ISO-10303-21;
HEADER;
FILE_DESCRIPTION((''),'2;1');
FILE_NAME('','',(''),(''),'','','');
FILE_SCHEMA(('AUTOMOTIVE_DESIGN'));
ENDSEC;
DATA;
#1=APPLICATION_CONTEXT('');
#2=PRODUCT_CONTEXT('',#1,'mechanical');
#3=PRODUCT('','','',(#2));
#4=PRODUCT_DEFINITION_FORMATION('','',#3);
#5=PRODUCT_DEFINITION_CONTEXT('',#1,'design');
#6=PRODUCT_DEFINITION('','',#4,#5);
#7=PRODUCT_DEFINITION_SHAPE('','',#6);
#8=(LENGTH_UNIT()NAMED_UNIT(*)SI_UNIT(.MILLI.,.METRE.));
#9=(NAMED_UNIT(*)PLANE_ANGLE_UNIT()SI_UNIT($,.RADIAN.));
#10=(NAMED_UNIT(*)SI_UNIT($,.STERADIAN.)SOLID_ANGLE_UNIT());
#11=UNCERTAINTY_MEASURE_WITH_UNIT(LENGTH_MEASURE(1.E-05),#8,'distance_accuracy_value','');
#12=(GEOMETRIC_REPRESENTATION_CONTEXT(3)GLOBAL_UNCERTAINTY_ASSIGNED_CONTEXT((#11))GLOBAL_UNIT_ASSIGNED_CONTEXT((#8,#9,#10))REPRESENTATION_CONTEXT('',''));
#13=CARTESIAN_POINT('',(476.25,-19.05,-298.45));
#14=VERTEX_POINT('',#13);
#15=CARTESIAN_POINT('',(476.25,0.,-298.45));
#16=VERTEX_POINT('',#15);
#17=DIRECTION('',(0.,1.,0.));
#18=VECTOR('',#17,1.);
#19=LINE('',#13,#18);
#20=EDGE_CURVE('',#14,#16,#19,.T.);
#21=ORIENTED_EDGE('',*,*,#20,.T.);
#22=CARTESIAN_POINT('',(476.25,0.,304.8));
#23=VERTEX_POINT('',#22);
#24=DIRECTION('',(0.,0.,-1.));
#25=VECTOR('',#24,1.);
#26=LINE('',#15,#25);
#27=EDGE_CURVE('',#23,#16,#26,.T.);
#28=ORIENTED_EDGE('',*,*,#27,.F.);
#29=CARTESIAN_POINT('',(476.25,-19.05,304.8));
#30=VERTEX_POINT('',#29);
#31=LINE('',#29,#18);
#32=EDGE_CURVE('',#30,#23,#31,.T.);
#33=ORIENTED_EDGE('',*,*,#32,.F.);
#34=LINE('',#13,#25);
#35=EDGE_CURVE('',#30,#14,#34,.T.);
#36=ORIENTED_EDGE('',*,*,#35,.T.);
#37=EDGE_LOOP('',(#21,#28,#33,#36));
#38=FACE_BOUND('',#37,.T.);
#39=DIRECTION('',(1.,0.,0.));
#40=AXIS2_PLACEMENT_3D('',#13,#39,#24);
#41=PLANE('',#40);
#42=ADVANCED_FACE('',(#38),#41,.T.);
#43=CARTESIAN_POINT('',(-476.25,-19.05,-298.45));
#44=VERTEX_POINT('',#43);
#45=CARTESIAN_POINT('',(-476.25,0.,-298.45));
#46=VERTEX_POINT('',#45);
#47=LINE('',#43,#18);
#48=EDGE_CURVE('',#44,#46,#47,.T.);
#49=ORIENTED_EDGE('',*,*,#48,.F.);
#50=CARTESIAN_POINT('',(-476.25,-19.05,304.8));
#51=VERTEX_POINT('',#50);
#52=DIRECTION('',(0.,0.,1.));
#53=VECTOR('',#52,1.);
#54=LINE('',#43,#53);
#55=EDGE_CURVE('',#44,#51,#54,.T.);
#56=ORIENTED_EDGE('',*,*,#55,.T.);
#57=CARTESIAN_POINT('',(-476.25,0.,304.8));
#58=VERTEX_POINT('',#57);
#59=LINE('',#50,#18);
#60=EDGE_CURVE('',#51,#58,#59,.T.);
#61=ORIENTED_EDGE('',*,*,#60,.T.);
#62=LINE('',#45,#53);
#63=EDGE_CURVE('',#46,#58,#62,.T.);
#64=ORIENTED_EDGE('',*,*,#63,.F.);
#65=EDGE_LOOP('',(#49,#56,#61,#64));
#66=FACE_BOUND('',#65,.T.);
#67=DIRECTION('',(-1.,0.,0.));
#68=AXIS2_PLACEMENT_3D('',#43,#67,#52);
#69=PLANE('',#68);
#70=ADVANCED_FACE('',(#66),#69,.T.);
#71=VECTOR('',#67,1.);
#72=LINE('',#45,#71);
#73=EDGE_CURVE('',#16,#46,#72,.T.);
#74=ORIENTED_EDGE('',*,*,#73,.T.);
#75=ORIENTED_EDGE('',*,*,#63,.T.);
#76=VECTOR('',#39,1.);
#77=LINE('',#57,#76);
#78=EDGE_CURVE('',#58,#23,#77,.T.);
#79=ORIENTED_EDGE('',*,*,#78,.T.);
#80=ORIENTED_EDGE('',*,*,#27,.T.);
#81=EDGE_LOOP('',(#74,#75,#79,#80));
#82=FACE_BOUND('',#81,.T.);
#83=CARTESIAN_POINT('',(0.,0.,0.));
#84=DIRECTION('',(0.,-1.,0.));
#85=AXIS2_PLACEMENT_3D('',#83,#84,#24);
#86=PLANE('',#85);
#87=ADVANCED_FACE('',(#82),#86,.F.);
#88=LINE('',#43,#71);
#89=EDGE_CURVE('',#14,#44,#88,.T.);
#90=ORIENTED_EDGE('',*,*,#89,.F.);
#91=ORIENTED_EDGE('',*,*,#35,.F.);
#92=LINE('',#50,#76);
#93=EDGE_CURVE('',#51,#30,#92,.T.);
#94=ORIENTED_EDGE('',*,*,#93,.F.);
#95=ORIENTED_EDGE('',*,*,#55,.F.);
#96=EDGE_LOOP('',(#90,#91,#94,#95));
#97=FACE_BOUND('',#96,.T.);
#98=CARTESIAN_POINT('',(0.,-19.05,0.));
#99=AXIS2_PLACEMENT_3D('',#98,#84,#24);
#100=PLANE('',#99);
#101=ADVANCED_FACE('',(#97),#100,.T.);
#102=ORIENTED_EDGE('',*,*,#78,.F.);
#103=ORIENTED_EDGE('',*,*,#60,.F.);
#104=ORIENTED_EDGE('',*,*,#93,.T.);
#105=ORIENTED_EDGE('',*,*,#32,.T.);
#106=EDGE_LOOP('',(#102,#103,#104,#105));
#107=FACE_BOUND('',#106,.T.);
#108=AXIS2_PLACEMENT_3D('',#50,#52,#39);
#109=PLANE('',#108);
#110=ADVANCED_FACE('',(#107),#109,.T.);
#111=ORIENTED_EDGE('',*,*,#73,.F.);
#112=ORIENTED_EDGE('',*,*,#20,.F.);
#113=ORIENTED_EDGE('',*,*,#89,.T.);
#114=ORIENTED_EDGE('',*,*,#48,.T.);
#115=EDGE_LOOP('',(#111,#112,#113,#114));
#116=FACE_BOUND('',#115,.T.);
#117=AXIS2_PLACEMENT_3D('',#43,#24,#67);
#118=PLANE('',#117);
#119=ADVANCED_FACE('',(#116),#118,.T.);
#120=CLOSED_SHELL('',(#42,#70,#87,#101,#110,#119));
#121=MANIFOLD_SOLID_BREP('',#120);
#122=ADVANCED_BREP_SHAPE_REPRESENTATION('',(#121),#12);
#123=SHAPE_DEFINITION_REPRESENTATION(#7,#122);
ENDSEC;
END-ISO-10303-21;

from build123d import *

# Parameters (mm, degrees)
SKETCH1_W           = 952.5
SKETCH1_H           = 603.25
BOSS_EXTRUDE1_DEPTH = 19.05


with BuildPart() as part:
    # Sketch1 → Boss-Extrude1 (new body)
    with BuildSketch(Plane(origin=(0, 0, 0), x_dir=(1, 0, 0), z_dir=(0, 1, 0))):
        with Locations((0, -3.175)):
            Rectangle(SKETCH1_W, SKETCH1_H)
    extrude(amount=-BOSS_EXTRUDE1_DEPTH)


solid = part.part
